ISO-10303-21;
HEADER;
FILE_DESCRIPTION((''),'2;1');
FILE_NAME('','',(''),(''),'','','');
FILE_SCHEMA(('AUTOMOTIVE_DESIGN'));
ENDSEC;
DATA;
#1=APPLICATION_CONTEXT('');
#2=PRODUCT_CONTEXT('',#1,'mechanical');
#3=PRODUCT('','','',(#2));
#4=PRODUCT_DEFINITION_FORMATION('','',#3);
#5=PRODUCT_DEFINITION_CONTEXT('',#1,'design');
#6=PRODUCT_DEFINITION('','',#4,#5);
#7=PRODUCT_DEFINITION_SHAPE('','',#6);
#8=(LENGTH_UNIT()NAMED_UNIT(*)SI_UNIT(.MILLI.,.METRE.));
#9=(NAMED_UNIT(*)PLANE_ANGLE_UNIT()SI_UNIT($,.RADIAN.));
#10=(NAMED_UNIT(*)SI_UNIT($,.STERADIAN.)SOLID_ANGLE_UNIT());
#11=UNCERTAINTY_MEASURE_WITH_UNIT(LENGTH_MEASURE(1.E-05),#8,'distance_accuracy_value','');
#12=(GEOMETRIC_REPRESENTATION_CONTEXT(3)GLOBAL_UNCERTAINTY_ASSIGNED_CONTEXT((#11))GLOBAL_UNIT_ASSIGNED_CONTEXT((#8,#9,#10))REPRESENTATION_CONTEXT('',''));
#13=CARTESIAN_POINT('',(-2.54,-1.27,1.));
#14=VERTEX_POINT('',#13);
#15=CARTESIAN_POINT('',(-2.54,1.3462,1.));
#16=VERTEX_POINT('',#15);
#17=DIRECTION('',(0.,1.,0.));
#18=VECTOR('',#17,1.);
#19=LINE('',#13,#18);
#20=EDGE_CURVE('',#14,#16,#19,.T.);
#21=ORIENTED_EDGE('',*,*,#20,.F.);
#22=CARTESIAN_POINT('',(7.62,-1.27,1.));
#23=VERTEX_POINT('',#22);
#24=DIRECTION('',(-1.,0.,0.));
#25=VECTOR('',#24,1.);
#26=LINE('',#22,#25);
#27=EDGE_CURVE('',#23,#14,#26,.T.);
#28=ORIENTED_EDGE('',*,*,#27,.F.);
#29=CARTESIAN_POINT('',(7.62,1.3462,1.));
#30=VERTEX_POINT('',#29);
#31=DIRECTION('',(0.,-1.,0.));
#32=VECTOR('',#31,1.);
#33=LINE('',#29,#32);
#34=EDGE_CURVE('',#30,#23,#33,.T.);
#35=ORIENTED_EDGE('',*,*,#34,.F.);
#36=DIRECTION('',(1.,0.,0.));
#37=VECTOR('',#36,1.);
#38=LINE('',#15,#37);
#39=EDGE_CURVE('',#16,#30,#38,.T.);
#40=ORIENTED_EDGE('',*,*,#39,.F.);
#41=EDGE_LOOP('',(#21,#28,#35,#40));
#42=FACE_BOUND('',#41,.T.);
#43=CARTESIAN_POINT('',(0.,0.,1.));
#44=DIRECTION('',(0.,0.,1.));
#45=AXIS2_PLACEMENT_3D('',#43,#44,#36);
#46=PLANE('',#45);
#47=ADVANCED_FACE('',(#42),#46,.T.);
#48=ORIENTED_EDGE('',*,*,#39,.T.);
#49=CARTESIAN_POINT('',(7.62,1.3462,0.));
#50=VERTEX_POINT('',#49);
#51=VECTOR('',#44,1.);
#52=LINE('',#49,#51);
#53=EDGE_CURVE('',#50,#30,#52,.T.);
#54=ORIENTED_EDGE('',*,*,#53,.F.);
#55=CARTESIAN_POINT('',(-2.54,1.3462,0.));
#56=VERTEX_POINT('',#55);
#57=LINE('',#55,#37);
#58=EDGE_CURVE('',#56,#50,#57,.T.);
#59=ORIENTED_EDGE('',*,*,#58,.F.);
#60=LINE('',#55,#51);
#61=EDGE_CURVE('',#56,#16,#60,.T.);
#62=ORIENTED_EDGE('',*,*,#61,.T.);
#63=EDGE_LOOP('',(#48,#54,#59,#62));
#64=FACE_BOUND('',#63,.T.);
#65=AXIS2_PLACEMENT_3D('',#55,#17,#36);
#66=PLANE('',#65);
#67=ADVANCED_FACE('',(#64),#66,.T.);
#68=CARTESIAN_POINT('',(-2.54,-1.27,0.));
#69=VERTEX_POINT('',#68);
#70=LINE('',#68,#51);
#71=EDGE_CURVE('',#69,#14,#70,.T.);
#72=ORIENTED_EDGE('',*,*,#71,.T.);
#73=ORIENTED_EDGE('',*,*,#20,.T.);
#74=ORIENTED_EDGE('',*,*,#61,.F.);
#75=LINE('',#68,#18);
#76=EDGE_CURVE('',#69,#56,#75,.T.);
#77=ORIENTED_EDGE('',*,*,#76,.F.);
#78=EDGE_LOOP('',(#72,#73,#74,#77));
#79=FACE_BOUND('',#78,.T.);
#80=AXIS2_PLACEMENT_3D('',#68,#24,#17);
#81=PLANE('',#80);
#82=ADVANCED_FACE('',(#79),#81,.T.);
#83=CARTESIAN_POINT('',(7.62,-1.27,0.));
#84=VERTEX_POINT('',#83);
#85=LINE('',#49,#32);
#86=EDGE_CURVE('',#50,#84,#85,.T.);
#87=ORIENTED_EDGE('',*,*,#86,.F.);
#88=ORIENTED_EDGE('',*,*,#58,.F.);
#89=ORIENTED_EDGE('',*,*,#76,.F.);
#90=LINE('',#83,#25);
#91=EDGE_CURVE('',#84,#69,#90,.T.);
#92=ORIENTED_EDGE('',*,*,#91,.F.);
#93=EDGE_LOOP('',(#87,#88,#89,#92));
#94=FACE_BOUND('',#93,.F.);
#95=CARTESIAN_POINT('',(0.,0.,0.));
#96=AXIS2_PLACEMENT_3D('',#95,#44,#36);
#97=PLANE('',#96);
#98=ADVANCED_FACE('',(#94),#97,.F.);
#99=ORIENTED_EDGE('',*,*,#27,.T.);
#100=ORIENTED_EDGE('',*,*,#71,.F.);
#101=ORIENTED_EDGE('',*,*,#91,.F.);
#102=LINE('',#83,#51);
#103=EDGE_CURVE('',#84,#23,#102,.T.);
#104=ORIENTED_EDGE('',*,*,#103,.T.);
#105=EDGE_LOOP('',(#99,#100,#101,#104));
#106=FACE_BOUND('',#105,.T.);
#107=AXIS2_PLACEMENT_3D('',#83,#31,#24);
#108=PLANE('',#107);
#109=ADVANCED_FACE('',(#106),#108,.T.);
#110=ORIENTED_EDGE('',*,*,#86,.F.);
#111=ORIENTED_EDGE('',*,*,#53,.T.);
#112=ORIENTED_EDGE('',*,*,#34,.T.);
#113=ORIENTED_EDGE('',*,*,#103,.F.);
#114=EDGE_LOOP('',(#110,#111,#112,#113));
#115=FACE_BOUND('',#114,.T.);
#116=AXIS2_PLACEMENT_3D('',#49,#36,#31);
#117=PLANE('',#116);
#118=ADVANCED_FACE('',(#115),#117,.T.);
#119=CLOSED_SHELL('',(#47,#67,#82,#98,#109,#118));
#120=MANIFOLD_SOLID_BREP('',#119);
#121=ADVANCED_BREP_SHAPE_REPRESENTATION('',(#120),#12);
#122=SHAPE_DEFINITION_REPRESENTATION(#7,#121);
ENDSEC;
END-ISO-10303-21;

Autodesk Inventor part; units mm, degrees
ref_plane "YZ Plane" through (0, 0, 0) normal (1, 0, 0) x (0, 1, 0)
ref_plane "XZ Plane" through (0, 0, 0) normal (0, 1, 0) x (-1, 0, 0)
ref_plane "XY Plane" through (0, 0, 0) normal (0, 0, 1) x (1, 0, 0)
sketch "1X04SMD, JP1_1X04SMD_27" plane through (0, 0, 0) normal (0, 0, 1) x (1, 0, 0)
  line L0 (-2.54, 1.3462) -> (7.62, 1.3462)
  line L1 (7.62, 1.3462) -> (7.62, -1.27)
  line L2 (7.62, -1.27) -> (-2.54, -1.27)
  line L3 (-2.54, -1.27) -> (-2.54, 1.3462)
extrude "Extrusion1" add sketch "1X04SMD, JP1_1X04SMD_27" along normal blind 1
properties part number "JP1_1X04SMD"
